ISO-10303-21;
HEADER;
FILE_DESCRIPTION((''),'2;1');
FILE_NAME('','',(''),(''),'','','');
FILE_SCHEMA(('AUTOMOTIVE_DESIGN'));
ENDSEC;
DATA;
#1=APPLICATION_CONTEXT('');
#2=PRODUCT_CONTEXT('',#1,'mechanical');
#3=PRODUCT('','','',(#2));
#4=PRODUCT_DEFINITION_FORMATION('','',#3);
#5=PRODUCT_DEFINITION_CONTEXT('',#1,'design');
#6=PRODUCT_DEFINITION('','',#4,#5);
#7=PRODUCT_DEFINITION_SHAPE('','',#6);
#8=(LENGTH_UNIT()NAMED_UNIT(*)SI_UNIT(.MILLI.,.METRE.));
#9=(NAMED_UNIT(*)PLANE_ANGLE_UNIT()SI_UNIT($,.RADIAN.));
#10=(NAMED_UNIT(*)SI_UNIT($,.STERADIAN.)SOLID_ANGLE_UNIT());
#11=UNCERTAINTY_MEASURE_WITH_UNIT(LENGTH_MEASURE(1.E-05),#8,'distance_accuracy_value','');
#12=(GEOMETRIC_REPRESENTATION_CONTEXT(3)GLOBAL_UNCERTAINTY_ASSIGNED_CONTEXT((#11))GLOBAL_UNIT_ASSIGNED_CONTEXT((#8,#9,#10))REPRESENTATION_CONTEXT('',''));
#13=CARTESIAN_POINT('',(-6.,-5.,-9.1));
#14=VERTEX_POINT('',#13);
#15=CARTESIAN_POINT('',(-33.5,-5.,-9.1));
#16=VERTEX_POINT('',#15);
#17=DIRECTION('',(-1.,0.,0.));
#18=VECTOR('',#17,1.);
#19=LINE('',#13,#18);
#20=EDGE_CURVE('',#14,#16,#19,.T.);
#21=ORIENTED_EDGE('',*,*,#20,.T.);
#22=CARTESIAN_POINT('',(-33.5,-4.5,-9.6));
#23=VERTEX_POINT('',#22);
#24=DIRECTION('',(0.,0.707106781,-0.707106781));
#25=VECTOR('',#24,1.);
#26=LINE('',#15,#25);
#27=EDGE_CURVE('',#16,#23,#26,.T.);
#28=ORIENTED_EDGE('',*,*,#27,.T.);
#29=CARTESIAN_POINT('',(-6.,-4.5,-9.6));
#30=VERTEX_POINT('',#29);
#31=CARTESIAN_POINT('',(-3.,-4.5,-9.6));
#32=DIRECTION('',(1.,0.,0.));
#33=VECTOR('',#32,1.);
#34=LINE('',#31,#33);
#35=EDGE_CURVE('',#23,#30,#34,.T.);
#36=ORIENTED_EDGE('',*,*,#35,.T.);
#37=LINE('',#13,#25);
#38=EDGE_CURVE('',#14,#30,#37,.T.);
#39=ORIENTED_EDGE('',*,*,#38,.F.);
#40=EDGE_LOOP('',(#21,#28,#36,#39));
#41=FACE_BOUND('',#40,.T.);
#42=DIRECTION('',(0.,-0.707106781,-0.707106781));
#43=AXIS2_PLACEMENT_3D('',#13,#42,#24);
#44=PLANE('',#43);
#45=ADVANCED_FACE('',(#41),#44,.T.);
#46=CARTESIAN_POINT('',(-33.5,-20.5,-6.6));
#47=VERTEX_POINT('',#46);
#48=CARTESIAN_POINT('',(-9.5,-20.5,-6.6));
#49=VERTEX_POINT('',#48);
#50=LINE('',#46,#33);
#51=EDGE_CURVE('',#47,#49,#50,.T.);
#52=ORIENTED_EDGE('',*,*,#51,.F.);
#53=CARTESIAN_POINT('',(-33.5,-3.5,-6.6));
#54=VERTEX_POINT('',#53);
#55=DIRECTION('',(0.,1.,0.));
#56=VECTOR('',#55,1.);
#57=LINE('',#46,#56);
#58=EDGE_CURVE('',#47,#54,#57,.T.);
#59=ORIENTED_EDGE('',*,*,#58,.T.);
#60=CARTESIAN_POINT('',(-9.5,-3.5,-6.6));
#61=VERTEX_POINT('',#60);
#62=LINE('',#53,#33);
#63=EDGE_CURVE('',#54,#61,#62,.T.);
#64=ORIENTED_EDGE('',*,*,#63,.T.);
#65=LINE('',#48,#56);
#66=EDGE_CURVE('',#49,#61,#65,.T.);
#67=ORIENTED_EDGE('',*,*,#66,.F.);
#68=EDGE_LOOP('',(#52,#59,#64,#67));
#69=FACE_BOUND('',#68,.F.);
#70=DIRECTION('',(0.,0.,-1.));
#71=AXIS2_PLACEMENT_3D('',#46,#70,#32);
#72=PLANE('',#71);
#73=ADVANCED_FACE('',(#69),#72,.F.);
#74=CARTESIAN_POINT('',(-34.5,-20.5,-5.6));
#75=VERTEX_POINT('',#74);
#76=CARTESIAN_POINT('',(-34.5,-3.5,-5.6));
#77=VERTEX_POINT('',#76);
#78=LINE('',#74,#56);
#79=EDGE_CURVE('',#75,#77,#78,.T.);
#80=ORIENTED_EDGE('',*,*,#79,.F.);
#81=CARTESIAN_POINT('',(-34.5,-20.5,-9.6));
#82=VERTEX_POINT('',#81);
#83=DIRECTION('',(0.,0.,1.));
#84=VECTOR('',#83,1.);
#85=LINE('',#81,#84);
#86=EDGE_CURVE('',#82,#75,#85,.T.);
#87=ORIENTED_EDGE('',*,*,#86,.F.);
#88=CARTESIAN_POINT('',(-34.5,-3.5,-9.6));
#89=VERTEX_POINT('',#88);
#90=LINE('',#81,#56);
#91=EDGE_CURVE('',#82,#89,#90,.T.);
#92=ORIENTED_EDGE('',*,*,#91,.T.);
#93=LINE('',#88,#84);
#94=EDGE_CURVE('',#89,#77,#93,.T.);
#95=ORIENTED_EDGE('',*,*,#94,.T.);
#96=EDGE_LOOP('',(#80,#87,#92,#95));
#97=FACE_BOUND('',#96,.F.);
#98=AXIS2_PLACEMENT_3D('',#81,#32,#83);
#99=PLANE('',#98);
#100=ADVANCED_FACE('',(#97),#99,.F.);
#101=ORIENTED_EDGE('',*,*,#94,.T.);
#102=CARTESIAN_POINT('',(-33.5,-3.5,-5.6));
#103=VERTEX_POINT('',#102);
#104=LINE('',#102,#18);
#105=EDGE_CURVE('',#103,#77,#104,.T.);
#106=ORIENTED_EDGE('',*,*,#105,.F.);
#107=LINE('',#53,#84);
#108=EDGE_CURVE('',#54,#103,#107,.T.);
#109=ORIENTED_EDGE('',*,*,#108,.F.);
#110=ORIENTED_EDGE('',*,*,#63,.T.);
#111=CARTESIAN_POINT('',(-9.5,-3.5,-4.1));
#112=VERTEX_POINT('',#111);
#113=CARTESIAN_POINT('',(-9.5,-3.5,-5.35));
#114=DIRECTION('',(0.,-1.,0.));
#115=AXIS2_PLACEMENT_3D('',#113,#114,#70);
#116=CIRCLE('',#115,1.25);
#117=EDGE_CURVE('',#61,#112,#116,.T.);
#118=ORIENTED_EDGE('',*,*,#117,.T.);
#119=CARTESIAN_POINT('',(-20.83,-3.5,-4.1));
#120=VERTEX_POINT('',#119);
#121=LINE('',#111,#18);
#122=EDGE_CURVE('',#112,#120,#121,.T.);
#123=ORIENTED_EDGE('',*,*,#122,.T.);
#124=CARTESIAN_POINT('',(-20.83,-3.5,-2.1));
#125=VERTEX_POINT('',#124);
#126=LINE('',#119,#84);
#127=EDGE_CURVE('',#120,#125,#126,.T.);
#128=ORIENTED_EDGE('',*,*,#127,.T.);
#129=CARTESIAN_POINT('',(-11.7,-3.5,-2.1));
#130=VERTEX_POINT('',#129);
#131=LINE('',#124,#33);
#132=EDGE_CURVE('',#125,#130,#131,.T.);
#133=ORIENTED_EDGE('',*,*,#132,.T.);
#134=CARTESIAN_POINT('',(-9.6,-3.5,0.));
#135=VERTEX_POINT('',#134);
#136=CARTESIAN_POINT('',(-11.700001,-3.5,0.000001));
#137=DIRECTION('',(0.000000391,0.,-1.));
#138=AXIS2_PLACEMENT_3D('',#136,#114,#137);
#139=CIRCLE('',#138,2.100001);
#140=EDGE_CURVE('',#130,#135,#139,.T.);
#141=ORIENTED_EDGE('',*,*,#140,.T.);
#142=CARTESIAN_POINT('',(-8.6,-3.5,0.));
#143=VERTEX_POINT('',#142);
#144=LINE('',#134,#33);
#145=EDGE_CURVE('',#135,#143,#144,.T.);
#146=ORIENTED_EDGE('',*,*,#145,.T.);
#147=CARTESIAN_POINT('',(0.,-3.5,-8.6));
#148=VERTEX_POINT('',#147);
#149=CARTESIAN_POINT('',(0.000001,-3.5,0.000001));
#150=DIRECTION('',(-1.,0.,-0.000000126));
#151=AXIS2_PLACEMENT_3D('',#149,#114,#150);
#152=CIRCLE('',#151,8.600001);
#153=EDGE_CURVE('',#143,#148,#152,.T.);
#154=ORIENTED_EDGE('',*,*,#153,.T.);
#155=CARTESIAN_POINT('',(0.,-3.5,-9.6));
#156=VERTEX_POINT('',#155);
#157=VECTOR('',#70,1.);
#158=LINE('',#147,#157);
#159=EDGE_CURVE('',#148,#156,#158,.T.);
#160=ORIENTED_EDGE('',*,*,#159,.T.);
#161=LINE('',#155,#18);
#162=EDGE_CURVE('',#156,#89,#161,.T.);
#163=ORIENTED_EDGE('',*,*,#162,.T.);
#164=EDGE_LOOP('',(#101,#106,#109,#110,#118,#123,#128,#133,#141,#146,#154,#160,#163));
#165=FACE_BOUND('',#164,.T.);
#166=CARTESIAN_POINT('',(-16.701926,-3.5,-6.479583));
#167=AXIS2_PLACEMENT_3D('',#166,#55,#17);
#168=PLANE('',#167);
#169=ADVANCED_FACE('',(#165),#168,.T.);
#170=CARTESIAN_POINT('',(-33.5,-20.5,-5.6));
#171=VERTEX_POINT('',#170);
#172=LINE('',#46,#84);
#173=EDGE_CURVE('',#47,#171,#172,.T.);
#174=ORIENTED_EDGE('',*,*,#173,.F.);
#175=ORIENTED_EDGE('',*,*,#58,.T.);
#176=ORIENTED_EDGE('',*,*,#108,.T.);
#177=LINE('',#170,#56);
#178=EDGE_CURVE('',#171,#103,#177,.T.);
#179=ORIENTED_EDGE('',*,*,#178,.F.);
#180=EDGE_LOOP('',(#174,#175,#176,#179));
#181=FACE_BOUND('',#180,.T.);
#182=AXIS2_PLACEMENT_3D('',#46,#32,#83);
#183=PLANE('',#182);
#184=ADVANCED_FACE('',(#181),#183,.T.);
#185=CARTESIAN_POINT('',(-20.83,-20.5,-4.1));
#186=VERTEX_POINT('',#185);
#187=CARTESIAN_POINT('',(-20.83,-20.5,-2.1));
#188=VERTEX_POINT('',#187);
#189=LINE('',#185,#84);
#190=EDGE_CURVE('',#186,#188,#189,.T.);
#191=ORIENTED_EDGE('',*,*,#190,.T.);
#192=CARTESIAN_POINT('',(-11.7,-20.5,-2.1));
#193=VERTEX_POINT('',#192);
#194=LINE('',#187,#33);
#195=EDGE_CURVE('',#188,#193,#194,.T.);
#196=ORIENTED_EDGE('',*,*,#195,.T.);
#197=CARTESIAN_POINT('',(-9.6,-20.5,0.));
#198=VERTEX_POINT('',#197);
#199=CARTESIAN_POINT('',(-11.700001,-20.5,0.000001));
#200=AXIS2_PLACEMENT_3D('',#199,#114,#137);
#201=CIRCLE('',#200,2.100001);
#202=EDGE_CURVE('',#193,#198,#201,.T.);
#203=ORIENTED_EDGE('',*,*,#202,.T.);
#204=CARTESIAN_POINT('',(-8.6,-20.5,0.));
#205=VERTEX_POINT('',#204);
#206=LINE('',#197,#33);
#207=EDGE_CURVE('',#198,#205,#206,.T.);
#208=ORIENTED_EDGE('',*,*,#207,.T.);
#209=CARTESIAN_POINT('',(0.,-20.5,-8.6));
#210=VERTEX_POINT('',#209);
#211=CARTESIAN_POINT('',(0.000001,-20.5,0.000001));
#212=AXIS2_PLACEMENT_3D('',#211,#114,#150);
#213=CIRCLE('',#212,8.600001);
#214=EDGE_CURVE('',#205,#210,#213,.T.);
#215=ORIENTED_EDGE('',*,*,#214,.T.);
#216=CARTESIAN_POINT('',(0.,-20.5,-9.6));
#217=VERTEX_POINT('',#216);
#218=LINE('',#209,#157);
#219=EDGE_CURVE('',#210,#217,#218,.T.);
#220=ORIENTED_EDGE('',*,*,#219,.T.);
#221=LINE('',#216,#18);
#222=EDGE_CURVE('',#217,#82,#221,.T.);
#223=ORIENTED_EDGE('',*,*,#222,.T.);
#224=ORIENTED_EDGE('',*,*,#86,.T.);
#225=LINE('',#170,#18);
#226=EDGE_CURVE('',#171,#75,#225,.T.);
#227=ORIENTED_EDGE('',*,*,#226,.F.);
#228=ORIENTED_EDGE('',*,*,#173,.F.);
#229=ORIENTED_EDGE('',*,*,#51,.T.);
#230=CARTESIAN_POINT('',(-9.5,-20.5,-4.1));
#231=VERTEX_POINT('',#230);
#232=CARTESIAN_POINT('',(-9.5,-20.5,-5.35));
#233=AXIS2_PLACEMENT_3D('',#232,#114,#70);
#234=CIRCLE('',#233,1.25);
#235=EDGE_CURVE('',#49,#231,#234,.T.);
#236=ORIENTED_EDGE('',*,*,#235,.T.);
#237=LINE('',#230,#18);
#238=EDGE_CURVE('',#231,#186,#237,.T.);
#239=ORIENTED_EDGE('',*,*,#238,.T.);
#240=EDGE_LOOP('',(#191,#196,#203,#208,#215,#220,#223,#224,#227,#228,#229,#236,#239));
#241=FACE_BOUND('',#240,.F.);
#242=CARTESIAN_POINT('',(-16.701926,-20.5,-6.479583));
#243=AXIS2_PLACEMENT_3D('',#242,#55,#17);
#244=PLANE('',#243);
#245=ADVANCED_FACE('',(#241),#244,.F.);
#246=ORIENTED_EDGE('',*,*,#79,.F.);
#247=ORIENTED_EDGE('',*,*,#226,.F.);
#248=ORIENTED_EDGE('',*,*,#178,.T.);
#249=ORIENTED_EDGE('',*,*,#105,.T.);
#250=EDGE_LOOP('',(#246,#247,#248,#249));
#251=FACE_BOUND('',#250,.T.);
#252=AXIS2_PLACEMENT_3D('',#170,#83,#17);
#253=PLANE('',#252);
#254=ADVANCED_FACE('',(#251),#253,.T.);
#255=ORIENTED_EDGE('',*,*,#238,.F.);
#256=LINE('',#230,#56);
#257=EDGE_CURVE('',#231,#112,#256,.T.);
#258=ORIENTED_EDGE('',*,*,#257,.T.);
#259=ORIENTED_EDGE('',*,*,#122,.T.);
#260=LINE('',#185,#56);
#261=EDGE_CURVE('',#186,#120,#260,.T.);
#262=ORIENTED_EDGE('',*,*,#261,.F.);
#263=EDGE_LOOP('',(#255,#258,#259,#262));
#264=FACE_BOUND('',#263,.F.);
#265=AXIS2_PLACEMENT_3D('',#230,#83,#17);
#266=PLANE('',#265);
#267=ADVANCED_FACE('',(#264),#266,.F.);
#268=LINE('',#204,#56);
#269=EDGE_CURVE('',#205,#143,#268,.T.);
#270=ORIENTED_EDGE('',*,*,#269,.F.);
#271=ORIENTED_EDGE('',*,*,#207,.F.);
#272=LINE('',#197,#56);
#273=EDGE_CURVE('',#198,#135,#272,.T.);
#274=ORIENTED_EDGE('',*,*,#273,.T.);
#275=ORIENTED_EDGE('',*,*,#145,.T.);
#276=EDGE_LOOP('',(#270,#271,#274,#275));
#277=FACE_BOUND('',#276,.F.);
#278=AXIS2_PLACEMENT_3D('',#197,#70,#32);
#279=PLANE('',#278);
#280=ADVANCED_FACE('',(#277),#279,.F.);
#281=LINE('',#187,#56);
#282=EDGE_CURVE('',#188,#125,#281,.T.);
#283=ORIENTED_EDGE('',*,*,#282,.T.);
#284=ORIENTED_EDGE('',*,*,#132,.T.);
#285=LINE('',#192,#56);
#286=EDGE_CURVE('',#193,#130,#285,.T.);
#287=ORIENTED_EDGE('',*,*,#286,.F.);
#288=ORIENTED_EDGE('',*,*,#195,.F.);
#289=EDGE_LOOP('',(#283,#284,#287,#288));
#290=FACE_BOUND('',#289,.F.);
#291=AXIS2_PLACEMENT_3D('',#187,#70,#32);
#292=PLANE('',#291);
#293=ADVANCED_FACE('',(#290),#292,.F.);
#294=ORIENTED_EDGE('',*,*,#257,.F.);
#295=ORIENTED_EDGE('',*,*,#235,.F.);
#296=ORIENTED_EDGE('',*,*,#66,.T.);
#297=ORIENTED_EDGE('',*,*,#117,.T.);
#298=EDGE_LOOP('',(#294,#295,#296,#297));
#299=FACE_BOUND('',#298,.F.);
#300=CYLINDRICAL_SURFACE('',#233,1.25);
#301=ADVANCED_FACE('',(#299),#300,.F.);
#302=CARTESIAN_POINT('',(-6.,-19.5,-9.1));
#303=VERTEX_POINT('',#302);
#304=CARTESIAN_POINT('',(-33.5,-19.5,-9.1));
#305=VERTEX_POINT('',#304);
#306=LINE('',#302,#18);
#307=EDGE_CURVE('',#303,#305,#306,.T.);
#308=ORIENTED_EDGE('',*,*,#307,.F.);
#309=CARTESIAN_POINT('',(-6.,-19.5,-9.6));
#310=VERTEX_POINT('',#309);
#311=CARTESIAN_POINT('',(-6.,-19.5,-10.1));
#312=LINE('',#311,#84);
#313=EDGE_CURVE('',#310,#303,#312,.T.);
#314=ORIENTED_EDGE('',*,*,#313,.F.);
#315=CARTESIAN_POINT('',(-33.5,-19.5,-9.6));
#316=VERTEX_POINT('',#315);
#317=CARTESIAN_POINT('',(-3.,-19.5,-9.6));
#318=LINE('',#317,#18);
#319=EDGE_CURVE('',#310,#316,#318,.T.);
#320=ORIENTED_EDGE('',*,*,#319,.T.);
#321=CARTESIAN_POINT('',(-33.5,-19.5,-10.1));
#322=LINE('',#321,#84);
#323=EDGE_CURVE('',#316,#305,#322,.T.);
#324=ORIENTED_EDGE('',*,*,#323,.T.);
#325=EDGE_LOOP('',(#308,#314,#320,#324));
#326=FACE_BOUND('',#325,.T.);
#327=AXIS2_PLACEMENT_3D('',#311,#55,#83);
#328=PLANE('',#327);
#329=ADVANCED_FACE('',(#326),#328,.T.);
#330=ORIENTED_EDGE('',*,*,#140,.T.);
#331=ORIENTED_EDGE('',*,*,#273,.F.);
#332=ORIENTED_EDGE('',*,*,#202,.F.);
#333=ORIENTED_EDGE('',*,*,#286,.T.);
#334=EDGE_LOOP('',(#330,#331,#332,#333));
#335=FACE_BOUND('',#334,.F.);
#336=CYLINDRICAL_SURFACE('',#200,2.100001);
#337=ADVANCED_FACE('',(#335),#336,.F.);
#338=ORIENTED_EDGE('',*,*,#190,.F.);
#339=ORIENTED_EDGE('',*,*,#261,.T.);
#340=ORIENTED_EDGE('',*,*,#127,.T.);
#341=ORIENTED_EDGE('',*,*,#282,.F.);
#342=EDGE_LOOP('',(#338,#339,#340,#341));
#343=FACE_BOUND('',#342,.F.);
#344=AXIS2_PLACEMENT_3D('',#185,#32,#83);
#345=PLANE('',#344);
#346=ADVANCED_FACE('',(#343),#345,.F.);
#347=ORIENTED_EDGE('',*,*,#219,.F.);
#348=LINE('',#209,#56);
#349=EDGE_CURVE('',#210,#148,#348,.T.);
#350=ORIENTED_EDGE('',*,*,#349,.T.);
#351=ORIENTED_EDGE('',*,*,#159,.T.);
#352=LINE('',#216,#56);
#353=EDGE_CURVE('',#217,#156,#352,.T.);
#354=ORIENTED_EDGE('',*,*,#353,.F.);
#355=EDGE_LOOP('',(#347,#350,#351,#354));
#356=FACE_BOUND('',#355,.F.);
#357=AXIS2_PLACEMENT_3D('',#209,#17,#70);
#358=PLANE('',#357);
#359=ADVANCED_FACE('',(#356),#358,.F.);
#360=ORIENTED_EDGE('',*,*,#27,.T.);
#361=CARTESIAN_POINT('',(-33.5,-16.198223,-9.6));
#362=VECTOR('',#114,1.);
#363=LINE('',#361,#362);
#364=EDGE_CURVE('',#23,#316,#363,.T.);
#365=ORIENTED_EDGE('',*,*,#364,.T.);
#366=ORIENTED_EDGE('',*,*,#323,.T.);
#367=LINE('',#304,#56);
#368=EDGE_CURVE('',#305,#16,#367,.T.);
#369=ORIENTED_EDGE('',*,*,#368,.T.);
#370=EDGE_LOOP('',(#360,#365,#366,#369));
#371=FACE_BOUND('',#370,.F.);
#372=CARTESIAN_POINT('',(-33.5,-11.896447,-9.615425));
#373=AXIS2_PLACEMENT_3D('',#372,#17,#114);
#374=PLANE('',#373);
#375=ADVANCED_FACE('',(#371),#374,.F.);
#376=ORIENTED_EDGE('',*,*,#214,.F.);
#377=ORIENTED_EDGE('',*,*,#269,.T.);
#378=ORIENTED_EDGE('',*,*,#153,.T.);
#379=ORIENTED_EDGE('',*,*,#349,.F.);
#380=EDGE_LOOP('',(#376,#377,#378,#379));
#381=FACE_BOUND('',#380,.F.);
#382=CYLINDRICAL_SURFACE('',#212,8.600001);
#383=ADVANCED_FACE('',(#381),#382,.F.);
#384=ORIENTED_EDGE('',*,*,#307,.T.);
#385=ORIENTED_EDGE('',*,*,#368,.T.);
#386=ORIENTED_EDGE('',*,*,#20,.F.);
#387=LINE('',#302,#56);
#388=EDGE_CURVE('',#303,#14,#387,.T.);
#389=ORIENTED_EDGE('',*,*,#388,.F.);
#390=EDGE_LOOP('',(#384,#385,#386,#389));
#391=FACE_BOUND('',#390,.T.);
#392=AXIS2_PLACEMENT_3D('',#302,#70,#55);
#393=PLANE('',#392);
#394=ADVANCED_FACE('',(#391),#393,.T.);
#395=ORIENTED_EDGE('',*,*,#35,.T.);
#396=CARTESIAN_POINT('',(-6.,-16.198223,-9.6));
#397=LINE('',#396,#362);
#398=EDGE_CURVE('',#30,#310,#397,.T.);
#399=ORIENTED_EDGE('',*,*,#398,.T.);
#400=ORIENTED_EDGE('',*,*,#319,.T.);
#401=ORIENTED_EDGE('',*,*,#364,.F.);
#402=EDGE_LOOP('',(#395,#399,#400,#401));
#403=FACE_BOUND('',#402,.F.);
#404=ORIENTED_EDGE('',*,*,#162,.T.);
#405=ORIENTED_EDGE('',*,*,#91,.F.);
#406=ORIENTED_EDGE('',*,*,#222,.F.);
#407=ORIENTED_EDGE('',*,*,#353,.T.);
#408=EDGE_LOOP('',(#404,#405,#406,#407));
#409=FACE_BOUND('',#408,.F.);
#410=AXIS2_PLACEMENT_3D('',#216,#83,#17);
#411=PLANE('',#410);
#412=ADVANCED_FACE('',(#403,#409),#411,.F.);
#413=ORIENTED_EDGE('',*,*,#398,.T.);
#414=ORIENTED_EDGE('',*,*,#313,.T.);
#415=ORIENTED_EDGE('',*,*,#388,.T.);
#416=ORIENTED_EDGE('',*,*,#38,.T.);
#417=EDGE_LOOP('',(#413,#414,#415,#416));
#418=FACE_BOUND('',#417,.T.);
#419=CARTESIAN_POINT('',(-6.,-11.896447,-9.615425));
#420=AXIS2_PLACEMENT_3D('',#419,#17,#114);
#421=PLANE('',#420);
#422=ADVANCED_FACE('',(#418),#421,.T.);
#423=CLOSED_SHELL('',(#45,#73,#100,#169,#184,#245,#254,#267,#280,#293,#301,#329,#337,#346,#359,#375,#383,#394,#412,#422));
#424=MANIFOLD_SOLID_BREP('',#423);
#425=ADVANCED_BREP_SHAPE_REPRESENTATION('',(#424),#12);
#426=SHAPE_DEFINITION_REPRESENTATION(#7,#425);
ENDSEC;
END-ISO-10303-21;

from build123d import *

# Parameters (mm, degrees)
EXTRUDE015_DEPTH = 27.5
EXTRUDE_DEPTH    = 17


with BuildPart() as extrude015:
    # Sketch020 → Extrude015 (new body)
    with BuildSketch(Plane(origin=(-6, 0, 0), x_dir=(0, -1, 0), z_dir=(-1, 0, 0))):
        Polygon((19.5, -10.1), (19.5, -9.1), (5, -9.1), (4, -10.1), align=None)
    extrude(amount=EXTRUDE015_DEPTH)


with BuildPart() as cut006:
    # Sketch001 → Extrude (new body)
    with BuildSketch(Plane.XZ.offset(25)):
        with BuildLine():
            ThreePointArc((-8.6, 0), (-6.081118, -6.081118), (0, -8.6))
            Line((0, -8.6), (0, -9.6))
            Line((0, -9.6), (-34.5, -9.6))
            Line((-34.5, -9.6), (-34.5, -5.6))
            Line((-33.5, -5.6), (-34.5, -5.6))
            Line((-33.5, -6.6), (-33.5, -5.6))
            Line((-33.5, -6.6), (-9.5, -6.6))
            ThreePointArc((-9.5, -6.6), (-8.25, -5.35), (-9.5, -4.1))
            Line((-9.5, -4.1), (-20.83, -4.1))
            Line((-20.83, -4.1), (-20.83, -2.1))
            Line((-20.83, -2.1), (-11.7, -2.1))
            ThreePointArc((-11.7, -2.1), (-10.215076, -1.484924), (-9.6, 0))
            Line((-9.6, 0), (-8.6, 0))
        make_face()
    extrude(amount=-EXTRUDE_DEPTH)


with BuildPart() as cut006_1:
    # Extrude placement: moved
    add(cut006.part.moved(Location((0, 4.5, 0))))

    # Cut006: cut Extrude015
    add(extrude015.part, mode=Mode.SUBTRACT)


solid = cut006_1.part
